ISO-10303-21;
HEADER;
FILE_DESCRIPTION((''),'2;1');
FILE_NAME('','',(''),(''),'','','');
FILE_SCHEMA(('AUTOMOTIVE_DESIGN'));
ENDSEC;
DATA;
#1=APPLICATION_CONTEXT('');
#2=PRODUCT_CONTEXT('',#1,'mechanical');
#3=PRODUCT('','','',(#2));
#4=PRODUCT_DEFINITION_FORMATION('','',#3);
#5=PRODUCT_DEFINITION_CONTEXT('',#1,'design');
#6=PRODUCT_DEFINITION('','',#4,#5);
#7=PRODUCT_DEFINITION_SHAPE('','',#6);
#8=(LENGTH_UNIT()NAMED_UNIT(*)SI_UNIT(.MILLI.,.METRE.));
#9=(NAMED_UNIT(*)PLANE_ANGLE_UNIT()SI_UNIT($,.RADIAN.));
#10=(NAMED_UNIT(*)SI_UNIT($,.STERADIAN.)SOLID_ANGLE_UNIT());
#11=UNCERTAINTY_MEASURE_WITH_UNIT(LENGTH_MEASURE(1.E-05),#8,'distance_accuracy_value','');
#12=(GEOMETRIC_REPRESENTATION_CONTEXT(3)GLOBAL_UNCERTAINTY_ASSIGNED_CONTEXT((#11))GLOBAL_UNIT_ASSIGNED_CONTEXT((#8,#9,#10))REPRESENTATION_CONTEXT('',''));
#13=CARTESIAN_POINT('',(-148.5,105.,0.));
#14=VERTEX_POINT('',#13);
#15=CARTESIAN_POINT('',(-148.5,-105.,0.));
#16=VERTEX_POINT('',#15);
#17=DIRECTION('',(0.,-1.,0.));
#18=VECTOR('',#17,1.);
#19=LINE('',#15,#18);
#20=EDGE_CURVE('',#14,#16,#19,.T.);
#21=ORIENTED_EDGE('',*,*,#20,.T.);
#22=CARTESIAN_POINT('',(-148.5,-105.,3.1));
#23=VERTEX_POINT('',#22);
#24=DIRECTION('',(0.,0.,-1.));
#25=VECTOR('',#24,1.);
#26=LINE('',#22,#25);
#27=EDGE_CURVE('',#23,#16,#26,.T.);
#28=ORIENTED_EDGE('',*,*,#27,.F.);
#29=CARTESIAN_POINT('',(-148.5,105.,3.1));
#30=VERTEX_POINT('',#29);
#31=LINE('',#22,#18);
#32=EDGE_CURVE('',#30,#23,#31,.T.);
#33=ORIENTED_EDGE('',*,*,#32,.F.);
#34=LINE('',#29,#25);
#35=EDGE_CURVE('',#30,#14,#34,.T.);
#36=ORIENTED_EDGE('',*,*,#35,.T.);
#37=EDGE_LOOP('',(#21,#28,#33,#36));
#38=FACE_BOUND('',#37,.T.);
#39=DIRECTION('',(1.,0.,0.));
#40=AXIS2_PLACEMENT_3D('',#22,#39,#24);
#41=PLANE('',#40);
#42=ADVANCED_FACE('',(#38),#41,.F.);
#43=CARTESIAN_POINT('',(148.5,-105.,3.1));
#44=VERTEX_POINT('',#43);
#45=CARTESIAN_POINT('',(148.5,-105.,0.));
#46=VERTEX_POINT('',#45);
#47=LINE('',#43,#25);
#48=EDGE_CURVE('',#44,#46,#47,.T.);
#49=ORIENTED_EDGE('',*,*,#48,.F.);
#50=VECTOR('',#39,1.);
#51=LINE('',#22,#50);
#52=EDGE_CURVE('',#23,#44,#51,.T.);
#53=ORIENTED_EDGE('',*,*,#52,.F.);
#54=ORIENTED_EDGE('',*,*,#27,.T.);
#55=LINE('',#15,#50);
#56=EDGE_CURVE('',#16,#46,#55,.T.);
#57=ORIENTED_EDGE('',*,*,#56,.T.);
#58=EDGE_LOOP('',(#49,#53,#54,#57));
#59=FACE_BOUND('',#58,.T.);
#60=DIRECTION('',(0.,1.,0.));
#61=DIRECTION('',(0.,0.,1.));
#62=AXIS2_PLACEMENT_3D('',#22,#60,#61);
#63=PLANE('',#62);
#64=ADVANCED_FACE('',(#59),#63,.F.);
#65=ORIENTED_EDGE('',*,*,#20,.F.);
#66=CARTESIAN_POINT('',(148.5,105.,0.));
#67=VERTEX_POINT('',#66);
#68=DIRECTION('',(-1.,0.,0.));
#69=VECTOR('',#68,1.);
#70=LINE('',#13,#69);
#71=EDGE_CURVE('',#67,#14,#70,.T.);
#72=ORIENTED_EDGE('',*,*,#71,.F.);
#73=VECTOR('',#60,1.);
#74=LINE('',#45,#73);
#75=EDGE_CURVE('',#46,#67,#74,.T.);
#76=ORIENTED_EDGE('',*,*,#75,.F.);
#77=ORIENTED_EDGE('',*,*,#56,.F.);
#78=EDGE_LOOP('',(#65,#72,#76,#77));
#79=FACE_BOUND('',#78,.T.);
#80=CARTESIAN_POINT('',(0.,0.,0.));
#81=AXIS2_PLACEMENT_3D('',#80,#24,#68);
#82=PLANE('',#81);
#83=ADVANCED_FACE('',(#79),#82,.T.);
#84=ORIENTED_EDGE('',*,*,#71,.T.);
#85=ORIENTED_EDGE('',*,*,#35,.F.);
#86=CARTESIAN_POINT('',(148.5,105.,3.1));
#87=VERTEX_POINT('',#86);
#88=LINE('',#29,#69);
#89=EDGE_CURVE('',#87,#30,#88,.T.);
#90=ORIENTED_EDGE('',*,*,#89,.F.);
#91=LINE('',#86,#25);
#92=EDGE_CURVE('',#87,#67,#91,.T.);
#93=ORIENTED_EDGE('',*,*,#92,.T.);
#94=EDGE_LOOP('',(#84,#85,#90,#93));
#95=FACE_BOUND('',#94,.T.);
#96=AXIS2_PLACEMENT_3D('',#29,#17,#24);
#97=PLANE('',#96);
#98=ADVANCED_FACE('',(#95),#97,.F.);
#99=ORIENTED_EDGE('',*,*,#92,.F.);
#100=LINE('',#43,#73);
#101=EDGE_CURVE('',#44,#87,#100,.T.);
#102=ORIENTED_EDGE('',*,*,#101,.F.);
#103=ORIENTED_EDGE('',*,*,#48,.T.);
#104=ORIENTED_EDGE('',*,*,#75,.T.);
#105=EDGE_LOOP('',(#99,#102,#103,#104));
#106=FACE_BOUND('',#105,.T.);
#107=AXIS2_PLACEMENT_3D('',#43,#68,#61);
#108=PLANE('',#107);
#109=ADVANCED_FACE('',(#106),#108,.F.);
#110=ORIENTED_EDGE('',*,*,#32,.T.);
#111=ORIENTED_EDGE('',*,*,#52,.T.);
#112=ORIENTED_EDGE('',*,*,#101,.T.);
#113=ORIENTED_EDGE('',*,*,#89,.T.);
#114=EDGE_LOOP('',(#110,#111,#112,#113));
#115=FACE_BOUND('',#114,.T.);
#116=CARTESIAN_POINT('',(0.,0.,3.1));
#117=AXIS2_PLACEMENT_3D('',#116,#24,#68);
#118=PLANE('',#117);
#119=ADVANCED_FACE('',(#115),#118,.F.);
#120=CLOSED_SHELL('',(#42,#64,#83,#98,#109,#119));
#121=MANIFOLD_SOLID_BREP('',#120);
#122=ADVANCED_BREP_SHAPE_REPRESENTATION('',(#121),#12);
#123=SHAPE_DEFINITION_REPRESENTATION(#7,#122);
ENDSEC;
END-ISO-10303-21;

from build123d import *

# Parameters (mm, degrees)
SKETCH1_W           = 297
SKETCH1_H           = 210
BOSS_EXTRUDE1_DEPTH = 3.1


with BuildPart() as part:
    # Sketch1 → Boss-Extrude1 (new body)
    with BuildSketch(Plane.XY):
        Rectangle(SKETCH1_W, SKETCH1_H)
    extrude(amount=BOSS_EXTRUDE1_DEPTH)


solid = part.part
